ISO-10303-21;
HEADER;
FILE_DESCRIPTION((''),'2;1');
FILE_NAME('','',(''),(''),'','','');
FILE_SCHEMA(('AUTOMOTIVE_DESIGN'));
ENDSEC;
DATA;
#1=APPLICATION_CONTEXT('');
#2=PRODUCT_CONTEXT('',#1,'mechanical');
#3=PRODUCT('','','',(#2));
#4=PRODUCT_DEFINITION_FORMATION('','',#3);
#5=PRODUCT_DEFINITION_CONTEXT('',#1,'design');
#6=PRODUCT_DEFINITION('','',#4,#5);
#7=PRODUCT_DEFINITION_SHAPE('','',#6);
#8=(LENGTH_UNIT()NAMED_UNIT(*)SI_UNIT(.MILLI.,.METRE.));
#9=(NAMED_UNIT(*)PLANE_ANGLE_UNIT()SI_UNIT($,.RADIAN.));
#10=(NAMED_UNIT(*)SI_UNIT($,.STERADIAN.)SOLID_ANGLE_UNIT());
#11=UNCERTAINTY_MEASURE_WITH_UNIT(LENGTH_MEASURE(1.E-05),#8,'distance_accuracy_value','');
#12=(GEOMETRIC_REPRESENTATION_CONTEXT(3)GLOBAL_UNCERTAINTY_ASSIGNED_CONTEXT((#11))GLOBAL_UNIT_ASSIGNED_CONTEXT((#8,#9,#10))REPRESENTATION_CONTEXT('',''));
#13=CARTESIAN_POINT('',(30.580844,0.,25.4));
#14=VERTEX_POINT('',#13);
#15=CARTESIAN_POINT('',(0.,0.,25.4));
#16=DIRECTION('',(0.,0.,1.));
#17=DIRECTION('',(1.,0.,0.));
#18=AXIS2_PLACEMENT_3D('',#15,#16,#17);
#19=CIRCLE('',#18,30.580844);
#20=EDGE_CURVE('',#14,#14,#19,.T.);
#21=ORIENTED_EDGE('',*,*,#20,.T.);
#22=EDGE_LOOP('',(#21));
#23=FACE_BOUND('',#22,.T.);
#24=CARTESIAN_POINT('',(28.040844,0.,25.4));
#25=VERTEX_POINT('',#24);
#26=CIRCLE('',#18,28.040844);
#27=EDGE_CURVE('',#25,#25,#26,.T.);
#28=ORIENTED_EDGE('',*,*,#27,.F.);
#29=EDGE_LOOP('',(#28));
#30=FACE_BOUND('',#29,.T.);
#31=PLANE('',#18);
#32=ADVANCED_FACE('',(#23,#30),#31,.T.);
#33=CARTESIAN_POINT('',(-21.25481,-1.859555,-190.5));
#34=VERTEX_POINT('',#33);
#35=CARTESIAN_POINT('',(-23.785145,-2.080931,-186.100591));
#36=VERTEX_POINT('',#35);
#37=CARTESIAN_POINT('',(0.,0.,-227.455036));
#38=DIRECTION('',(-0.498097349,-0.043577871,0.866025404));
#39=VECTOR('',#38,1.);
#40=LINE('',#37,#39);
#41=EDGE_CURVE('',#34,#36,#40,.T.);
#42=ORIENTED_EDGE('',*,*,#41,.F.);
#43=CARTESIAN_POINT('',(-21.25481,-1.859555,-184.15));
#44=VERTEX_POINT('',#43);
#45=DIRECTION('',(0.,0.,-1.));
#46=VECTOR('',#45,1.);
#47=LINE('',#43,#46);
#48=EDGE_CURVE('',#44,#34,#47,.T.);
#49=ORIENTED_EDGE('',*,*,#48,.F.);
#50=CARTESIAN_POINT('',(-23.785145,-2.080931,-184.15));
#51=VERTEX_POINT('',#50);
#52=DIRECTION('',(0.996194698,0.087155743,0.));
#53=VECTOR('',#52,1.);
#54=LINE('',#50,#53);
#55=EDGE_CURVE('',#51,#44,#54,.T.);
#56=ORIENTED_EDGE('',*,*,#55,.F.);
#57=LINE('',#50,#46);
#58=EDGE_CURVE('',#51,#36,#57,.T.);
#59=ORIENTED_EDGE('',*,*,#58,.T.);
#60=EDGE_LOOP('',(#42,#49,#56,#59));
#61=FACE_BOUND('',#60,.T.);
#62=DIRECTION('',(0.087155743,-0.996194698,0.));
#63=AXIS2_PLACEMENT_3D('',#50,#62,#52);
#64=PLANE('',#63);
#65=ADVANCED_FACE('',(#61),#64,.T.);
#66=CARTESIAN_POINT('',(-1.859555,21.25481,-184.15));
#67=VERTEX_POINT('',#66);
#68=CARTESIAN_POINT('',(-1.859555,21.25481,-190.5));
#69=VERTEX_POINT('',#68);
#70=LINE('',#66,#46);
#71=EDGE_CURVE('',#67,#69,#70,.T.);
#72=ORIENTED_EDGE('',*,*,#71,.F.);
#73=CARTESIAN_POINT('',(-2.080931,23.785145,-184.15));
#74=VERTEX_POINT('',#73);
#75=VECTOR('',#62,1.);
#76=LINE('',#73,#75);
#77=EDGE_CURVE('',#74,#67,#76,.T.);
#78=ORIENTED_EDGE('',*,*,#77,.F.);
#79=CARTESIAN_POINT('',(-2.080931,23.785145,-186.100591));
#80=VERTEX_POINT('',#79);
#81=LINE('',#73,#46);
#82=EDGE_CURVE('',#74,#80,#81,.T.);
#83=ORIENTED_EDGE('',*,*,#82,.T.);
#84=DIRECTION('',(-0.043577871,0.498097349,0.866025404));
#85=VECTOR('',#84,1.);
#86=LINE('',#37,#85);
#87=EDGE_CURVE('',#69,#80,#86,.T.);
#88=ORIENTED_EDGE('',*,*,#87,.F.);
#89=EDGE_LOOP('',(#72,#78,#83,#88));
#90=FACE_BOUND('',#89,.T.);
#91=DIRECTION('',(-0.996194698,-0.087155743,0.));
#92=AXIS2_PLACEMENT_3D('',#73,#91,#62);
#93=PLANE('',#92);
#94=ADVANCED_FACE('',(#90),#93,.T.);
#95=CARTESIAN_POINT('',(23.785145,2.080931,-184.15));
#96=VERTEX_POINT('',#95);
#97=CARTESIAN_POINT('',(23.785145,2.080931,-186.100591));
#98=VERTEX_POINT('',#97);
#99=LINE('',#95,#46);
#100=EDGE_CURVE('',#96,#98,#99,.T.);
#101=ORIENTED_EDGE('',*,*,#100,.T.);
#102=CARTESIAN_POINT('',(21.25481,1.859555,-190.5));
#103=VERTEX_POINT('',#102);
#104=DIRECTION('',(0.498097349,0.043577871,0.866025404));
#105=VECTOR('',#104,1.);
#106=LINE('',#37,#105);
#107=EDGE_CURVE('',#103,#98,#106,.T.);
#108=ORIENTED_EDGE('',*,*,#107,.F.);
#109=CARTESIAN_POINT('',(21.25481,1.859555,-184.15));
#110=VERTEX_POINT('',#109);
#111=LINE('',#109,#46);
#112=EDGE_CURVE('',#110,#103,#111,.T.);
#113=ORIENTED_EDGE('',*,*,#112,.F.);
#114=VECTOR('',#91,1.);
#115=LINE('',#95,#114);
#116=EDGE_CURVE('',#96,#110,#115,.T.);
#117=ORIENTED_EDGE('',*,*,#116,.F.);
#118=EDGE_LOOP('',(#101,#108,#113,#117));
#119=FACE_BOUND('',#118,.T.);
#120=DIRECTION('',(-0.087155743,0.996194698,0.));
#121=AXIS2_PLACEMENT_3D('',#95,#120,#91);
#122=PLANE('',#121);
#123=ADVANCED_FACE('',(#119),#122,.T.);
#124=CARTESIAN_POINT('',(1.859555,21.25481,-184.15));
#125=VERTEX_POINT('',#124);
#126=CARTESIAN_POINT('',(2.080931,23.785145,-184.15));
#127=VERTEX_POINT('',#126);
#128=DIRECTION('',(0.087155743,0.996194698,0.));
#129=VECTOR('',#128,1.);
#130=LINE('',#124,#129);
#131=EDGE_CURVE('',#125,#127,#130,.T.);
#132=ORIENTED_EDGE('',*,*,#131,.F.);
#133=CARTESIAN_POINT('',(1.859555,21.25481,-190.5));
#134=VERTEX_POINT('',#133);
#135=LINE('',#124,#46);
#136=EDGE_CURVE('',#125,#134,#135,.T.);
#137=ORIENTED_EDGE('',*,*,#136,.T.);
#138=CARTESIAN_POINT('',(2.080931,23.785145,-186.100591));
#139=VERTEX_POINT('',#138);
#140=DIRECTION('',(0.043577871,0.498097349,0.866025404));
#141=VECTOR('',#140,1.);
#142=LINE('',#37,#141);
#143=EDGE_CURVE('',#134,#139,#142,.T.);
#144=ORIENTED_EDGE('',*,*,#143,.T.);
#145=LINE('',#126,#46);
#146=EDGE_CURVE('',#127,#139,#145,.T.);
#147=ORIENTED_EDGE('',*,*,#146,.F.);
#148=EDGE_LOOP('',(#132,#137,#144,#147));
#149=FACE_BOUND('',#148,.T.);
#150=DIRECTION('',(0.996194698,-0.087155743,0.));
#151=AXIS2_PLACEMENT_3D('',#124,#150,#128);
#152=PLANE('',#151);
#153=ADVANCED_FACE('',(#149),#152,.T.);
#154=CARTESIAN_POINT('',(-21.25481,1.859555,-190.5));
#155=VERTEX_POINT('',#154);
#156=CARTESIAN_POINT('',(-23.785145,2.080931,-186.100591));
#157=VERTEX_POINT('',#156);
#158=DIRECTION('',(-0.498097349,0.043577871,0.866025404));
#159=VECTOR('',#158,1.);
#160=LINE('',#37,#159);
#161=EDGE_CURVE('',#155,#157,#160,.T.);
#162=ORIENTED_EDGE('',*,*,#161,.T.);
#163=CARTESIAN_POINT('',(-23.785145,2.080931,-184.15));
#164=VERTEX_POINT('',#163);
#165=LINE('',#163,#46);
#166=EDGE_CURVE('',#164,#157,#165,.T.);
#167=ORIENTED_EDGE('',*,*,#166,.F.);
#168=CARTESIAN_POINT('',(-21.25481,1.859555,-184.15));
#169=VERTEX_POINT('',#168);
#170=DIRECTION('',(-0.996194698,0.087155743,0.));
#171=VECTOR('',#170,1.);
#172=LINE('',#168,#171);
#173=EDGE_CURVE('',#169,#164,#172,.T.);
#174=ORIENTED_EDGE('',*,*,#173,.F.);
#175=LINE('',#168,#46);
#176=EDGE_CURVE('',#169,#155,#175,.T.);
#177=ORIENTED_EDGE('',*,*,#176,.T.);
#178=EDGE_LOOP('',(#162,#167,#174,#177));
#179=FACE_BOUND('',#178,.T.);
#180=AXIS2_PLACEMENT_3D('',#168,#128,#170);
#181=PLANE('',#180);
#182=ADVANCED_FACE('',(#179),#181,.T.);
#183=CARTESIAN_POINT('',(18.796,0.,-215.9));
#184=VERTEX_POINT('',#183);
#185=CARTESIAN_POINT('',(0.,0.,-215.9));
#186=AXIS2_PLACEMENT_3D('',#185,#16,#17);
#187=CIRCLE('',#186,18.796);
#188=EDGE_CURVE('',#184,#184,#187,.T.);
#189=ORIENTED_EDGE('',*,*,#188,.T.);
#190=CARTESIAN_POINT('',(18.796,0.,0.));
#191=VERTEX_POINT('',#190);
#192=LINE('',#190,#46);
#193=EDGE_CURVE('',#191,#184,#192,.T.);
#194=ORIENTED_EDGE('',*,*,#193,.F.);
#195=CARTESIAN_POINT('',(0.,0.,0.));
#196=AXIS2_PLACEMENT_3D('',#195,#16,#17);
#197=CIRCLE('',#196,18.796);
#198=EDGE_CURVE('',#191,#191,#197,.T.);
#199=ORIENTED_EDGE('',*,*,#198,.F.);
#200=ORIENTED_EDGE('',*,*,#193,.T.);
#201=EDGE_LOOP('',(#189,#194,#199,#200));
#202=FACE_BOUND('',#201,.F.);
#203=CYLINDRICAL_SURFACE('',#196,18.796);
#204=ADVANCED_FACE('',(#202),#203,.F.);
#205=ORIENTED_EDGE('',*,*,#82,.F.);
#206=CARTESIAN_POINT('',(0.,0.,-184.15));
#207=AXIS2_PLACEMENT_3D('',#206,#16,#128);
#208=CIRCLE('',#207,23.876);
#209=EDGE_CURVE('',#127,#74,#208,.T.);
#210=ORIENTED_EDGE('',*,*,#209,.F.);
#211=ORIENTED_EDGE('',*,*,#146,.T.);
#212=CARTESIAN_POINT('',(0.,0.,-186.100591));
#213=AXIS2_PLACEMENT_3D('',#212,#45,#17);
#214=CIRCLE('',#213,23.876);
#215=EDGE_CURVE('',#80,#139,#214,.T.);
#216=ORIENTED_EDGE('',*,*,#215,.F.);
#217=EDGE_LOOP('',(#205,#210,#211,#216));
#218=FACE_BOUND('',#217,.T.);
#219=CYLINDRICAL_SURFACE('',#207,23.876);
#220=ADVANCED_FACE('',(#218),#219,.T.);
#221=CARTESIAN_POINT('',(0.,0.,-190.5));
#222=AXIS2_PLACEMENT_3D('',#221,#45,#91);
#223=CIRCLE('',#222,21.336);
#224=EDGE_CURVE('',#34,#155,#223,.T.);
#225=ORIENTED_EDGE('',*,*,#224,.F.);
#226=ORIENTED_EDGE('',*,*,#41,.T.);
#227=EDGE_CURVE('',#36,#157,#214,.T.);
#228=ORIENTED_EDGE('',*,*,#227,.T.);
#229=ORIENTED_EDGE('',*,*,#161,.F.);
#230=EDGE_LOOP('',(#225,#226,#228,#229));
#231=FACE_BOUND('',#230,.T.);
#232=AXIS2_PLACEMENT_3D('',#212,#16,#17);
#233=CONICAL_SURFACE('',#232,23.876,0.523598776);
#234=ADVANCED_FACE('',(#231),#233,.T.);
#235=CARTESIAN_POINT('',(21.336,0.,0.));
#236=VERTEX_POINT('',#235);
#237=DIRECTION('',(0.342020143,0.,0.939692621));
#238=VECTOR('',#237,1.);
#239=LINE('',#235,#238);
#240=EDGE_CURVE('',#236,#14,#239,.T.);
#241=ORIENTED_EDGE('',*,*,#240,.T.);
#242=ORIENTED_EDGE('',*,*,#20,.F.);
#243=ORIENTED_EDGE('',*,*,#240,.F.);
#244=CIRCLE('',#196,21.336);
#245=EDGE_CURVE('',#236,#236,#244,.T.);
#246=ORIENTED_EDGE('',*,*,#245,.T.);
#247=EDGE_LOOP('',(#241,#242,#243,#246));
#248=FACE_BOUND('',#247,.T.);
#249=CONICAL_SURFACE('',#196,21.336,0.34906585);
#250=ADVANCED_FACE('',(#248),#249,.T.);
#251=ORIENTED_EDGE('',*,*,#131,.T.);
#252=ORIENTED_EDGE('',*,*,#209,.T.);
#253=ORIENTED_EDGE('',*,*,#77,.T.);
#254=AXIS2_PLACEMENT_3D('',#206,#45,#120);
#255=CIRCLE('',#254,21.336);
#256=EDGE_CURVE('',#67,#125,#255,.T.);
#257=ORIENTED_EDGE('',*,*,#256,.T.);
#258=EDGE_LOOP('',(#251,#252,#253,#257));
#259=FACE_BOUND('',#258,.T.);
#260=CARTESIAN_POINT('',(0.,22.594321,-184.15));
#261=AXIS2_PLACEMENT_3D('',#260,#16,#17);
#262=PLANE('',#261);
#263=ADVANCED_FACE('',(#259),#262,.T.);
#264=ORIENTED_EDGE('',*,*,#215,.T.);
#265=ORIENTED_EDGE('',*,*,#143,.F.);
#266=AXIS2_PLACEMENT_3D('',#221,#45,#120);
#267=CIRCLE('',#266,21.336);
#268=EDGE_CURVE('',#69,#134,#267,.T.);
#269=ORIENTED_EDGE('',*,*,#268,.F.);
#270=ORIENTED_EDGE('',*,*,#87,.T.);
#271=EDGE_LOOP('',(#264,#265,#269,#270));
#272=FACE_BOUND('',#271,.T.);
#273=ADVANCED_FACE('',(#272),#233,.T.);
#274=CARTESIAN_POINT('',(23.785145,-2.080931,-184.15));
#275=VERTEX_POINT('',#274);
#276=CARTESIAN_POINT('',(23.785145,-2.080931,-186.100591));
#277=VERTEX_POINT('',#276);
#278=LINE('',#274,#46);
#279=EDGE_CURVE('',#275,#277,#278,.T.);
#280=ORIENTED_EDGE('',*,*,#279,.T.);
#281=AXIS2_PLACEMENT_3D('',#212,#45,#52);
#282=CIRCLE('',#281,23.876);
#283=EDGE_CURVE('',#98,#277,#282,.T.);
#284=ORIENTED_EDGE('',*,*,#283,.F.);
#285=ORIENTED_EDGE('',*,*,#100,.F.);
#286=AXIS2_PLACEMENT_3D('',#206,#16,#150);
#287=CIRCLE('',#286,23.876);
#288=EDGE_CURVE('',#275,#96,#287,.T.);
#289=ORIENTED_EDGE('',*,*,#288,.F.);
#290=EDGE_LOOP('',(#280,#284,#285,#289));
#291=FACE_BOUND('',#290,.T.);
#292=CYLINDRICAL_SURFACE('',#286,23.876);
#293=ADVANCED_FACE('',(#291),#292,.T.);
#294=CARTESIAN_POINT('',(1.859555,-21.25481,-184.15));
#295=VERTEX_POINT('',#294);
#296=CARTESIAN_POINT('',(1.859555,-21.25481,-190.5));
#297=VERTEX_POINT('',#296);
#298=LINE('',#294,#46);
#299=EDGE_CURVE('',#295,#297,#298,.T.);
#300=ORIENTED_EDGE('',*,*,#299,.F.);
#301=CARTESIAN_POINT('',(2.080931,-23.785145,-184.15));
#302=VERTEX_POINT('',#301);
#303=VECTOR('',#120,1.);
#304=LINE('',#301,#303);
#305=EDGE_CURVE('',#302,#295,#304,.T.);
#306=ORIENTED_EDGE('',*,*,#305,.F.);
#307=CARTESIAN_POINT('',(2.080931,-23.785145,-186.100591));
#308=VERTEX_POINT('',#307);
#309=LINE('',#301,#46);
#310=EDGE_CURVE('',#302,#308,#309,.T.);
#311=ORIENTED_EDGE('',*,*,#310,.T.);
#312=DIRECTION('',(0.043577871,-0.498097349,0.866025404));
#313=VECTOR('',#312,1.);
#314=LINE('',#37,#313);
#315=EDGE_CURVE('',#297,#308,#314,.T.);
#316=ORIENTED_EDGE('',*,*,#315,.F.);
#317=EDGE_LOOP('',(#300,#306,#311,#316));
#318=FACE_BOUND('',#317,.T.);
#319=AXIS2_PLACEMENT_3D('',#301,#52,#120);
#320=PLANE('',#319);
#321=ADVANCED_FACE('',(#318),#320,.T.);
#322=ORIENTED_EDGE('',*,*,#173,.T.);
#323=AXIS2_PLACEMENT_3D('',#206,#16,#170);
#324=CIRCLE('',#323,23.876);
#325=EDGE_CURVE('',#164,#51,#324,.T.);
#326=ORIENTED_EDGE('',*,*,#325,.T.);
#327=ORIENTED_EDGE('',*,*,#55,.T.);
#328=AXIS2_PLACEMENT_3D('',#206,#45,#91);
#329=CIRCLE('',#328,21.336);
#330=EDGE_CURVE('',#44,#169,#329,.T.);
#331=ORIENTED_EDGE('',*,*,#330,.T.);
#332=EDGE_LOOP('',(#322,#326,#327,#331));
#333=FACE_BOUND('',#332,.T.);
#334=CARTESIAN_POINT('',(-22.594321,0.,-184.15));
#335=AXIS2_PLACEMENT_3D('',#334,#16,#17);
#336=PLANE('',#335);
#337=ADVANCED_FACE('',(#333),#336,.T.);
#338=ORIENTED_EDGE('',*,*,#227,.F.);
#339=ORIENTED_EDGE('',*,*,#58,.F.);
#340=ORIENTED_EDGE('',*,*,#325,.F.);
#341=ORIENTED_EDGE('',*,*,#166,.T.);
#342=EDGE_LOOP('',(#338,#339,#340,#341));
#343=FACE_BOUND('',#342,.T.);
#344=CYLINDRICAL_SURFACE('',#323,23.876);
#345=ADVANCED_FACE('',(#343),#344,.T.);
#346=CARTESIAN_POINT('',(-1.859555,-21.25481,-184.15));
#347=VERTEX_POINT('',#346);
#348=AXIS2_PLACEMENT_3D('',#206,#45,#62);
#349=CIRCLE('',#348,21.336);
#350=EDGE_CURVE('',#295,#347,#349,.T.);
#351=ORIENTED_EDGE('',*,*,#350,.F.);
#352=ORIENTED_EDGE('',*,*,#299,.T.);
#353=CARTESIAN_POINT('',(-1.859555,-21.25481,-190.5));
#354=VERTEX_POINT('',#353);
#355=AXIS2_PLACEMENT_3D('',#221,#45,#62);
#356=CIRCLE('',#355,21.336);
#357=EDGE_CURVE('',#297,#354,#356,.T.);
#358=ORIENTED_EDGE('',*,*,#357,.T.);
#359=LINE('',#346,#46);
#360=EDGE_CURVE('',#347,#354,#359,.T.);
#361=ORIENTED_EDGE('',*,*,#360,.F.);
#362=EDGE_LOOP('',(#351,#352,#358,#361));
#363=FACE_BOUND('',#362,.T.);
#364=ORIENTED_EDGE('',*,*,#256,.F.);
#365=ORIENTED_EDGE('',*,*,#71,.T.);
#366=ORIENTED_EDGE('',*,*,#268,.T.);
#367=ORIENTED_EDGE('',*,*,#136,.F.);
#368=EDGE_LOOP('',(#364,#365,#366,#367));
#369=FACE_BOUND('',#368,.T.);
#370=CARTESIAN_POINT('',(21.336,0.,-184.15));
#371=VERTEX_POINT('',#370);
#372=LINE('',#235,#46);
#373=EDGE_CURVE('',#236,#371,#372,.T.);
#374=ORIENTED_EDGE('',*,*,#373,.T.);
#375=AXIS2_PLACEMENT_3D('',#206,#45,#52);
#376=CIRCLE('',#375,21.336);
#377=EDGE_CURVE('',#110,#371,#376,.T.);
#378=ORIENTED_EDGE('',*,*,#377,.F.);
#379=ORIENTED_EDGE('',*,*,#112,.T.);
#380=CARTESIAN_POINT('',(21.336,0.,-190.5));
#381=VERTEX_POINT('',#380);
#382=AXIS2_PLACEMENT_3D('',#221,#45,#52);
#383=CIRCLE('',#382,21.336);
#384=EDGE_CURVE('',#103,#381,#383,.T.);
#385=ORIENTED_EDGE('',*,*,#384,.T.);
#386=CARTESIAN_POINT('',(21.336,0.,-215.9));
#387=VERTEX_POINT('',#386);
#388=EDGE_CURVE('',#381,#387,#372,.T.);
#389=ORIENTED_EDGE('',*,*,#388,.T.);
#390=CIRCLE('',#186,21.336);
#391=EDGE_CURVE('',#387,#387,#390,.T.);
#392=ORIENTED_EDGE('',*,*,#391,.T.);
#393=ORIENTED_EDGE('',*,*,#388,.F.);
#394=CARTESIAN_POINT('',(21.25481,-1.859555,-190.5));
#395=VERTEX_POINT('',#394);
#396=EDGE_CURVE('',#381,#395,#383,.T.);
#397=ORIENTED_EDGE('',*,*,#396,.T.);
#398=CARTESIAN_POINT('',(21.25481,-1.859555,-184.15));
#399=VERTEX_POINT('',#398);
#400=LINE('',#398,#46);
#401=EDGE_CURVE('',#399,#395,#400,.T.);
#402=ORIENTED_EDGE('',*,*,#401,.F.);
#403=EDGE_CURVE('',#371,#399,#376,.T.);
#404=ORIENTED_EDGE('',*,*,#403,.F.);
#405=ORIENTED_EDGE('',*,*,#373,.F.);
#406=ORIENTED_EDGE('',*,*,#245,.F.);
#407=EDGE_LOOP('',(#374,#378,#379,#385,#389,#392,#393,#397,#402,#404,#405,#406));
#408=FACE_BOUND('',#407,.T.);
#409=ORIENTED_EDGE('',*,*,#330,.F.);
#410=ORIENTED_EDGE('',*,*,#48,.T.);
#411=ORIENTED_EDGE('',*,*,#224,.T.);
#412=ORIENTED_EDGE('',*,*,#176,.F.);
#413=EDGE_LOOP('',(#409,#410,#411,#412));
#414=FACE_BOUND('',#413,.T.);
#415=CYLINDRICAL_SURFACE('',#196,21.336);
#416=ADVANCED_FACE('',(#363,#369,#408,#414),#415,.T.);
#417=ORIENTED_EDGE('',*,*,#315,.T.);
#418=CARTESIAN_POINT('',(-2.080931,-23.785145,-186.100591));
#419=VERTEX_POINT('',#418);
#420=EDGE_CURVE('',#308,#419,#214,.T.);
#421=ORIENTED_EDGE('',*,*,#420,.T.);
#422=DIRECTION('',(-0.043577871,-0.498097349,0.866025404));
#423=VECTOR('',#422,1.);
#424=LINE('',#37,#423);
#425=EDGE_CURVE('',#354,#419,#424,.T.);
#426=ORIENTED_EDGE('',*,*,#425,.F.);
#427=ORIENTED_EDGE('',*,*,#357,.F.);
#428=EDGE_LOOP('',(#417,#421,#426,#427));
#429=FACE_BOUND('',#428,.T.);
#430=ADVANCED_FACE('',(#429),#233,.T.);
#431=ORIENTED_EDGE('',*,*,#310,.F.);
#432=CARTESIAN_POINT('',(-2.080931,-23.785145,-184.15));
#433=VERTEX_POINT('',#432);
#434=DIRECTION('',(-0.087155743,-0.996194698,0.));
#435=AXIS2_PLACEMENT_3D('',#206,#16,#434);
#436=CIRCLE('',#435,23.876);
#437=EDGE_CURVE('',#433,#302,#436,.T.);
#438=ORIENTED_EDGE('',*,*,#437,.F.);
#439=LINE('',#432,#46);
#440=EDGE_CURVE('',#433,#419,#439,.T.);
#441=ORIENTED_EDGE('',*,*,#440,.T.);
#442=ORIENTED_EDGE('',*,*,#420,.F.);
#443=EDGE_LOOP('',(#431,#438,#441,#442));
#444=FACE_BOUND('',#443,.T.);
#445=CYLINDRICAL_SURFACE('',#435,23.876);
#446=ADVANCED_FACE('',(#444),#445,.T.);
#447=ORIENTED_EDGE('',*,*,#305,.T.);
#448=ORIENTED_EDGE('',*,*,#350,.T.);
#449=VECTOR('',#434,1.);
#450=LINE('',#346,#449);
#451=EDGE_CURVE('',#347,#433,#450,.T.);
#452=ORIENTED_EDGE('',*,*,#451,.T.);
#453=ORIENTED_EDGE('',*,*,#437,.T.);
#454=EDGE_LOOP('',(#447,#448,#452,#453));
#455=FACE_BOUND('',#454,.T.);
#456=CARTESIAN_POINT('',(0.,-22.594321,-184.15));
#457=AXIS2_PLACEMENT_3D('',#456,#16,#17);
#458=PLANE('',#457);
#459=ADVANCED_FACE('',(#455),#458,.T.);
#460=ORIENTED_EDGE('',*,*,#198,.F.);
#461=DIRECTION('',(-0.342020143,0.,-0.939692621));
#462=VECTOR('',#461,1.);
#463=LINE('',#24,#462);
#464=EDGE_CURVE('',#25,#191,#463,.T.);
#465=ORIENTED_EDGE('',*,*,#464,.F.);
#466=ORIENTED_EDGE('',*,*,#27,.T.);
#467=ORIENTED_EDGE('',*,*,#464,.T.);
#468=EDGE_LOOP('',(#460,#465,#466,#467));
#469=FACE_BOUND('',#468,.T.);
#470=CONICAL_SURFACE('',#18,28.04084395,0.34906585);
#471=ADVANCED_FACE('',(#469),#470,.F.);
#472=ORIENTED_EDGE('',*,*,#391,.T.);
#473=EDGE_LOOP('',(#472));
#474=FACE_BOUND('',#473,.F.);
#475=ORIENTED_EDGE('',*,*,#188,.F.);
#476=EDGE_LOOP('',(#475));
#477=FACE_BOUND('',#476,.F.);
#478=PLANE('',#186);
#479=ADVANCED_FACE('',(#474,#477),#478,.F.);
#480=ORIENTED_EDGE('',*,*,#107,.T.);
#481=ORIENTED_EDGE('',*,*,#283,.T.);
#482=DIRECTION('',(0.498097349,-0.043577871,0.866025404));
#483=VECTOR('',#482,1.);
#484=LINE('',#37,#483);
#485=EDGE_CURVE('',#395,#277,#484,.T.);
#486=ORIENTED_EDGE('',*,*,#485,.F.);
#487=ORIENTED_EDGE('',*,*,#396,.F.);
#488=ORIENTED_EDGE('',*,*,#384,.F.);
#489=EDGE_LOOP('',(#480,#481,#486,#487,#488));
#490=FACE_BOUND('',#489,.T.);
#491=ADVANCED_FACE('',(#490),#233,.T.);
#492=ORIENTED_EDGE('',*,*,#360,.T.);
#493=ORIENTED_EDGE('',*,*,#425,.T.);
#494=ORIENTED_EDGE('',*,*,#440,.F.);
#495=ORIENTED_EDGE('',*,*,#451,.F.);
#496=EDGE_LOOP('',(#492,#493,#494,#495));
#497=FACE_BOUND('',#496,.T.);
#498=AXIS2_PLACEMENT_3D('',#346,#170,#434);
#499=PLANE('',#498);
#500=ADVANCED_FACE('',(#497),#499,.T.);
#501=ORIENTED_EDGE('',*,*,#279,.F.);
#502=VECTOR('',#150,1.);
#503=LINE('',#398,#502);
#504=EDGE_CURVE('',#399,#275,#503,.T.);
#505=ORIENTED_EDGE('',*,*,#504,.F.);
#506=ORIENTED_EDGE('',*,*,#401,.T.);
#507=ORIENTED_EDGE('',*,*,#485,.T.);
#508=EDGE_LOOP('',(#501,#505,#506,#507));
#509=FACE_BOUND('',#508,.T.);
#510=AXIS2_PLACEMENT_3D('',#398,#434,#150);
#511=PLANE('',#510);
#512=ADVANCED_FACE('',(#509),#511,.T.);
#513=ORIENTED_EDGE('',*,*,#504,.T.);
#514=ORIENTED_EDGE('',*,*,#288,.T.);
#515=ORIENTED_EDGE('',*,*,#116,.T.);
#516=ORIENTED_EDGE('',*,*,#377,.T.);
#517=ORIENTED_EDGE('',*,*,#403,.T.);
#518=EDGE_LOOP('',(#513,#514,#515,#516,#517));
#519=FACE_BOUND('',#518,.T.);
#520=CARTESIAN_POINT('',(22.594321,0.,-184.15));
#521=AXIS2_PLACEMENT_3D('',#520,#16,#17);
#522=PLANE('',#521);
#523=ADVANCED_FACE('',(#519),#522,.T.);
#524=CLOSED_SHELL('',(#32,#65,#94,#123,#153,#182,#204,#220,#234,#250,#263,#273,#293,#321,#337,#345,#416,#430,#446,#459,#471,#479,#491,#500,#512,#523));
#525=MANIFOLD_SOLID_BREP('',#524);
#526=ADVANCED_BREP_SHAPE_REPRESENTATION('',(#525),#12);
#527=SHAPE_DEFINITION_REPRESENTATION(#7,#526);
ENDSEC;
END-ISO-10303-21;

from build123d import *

# Parameters (mm, degrees)
F0_R     = 21.336
F0_R_2   = 18.796
F1_DEPTH = 215.9
F5_START = -184.15
F5_DEPTH = 6.35


with BuildPart() as f1:
    # F0 (on Top) → F1 (new body)
    with BuildSketch(Plane.XY):
        Circle(F0_R)
        Circle(F0_R_2, mode=Mode.SUBTRACT)
    extrude(amount=-F1_DEPTH)

    # F2 (on Front) → F3 (revolve)
    with BuildSketch(Plane.XZ):
        Polygon((18.796, 0), (21.336, 0), (30.5808439504, 25.4), (28.0408439504, 25.4), align=None)
    revolve(axis=Axis((0, 0, 12.7485655248), (0, 0, 1)))

    # F4 (on Top) → F5 (join)
    with BuildSketch(Plane.XY.offset(F5_START)):
        with BuildLine():
            Line((-23.7851446116, -2.0809305138), (-21.2548100785, -1.8595549273))
            ThreePointArc((-21.2548100785, -1.8595549273), (-21.336, 0), (-21.2548100785, 1.8595549273))
            Line((-21.2548100785, 1.8595549273), (-23.7851446116, 2.0809305138))
            ThreePointArc((-23.7851446116, 2.0809305138), (-23.876, 0), (-23.7851446116, -2.0809305138))
        make_face()
        with BuildLine():
            Line((-2.0809305138, 23.7851446116), (-1.8595549273, 21.2548100785))
            ThreePointArc((-1.8595549273, 21.2548100785), (0, 21.336), (1.8595549273, 21.2548100785))
            Line((1.8595549273, 21.2548100785), (2.0809305138, 23.7851446116))
            ThreePointArc((2.0809305138, 23.7851446116), (0, 23.876), (-2.0809305138, 23.7851446116))
        make_face()
        with BuildLine():
            Line((23.7851446116, 2.0809305138), (21.2548100785, 1.8595549273))
            ThreePointArc((21.2548100785, 1.8595549273), (21.336, 0), (21.2548100785, -1.8595549273))
            Line((21.2548100785, -1.8595549273), (23.7851446116, -2.0809305138))
            ThreePointArc((23.7851446116, -2.0809305138), (23.876, 0), (23.7851446116, 2.0809305138))
        make_face()
        with BuildLine():
            Line((2.0809305138, -23.7851446116), (1.8595549273, -21.2548100785))
            ThreePointArc((1.8595549273, -21.2548100785), (0, -21.336), (-1.8595549273, -21.2548100785))
            Line((-1.8595549273, -21.2548100785), (-2.0809305138, -23.7851446116))
            ThreePointArc((-2.0809305138, -23.7851446116), (0, -23.876), (2.0809305138, -23.7851446116))
        make_face()
    extrude(amount=-F5_DEPTH)

    # F6 (on Front) → F7 (revolve, cut)
    with BuildSketch(Plane.XZ):
        Polygon((23.876, -186.1005909488), (21.336, -190.5), (23.876, -190.5), align=None)
    revolve(axis=Axis((0, 0, -83.1778421998), (0, 0, -1)), mode=Mode.SUBTRACT)


solid = f1.part
